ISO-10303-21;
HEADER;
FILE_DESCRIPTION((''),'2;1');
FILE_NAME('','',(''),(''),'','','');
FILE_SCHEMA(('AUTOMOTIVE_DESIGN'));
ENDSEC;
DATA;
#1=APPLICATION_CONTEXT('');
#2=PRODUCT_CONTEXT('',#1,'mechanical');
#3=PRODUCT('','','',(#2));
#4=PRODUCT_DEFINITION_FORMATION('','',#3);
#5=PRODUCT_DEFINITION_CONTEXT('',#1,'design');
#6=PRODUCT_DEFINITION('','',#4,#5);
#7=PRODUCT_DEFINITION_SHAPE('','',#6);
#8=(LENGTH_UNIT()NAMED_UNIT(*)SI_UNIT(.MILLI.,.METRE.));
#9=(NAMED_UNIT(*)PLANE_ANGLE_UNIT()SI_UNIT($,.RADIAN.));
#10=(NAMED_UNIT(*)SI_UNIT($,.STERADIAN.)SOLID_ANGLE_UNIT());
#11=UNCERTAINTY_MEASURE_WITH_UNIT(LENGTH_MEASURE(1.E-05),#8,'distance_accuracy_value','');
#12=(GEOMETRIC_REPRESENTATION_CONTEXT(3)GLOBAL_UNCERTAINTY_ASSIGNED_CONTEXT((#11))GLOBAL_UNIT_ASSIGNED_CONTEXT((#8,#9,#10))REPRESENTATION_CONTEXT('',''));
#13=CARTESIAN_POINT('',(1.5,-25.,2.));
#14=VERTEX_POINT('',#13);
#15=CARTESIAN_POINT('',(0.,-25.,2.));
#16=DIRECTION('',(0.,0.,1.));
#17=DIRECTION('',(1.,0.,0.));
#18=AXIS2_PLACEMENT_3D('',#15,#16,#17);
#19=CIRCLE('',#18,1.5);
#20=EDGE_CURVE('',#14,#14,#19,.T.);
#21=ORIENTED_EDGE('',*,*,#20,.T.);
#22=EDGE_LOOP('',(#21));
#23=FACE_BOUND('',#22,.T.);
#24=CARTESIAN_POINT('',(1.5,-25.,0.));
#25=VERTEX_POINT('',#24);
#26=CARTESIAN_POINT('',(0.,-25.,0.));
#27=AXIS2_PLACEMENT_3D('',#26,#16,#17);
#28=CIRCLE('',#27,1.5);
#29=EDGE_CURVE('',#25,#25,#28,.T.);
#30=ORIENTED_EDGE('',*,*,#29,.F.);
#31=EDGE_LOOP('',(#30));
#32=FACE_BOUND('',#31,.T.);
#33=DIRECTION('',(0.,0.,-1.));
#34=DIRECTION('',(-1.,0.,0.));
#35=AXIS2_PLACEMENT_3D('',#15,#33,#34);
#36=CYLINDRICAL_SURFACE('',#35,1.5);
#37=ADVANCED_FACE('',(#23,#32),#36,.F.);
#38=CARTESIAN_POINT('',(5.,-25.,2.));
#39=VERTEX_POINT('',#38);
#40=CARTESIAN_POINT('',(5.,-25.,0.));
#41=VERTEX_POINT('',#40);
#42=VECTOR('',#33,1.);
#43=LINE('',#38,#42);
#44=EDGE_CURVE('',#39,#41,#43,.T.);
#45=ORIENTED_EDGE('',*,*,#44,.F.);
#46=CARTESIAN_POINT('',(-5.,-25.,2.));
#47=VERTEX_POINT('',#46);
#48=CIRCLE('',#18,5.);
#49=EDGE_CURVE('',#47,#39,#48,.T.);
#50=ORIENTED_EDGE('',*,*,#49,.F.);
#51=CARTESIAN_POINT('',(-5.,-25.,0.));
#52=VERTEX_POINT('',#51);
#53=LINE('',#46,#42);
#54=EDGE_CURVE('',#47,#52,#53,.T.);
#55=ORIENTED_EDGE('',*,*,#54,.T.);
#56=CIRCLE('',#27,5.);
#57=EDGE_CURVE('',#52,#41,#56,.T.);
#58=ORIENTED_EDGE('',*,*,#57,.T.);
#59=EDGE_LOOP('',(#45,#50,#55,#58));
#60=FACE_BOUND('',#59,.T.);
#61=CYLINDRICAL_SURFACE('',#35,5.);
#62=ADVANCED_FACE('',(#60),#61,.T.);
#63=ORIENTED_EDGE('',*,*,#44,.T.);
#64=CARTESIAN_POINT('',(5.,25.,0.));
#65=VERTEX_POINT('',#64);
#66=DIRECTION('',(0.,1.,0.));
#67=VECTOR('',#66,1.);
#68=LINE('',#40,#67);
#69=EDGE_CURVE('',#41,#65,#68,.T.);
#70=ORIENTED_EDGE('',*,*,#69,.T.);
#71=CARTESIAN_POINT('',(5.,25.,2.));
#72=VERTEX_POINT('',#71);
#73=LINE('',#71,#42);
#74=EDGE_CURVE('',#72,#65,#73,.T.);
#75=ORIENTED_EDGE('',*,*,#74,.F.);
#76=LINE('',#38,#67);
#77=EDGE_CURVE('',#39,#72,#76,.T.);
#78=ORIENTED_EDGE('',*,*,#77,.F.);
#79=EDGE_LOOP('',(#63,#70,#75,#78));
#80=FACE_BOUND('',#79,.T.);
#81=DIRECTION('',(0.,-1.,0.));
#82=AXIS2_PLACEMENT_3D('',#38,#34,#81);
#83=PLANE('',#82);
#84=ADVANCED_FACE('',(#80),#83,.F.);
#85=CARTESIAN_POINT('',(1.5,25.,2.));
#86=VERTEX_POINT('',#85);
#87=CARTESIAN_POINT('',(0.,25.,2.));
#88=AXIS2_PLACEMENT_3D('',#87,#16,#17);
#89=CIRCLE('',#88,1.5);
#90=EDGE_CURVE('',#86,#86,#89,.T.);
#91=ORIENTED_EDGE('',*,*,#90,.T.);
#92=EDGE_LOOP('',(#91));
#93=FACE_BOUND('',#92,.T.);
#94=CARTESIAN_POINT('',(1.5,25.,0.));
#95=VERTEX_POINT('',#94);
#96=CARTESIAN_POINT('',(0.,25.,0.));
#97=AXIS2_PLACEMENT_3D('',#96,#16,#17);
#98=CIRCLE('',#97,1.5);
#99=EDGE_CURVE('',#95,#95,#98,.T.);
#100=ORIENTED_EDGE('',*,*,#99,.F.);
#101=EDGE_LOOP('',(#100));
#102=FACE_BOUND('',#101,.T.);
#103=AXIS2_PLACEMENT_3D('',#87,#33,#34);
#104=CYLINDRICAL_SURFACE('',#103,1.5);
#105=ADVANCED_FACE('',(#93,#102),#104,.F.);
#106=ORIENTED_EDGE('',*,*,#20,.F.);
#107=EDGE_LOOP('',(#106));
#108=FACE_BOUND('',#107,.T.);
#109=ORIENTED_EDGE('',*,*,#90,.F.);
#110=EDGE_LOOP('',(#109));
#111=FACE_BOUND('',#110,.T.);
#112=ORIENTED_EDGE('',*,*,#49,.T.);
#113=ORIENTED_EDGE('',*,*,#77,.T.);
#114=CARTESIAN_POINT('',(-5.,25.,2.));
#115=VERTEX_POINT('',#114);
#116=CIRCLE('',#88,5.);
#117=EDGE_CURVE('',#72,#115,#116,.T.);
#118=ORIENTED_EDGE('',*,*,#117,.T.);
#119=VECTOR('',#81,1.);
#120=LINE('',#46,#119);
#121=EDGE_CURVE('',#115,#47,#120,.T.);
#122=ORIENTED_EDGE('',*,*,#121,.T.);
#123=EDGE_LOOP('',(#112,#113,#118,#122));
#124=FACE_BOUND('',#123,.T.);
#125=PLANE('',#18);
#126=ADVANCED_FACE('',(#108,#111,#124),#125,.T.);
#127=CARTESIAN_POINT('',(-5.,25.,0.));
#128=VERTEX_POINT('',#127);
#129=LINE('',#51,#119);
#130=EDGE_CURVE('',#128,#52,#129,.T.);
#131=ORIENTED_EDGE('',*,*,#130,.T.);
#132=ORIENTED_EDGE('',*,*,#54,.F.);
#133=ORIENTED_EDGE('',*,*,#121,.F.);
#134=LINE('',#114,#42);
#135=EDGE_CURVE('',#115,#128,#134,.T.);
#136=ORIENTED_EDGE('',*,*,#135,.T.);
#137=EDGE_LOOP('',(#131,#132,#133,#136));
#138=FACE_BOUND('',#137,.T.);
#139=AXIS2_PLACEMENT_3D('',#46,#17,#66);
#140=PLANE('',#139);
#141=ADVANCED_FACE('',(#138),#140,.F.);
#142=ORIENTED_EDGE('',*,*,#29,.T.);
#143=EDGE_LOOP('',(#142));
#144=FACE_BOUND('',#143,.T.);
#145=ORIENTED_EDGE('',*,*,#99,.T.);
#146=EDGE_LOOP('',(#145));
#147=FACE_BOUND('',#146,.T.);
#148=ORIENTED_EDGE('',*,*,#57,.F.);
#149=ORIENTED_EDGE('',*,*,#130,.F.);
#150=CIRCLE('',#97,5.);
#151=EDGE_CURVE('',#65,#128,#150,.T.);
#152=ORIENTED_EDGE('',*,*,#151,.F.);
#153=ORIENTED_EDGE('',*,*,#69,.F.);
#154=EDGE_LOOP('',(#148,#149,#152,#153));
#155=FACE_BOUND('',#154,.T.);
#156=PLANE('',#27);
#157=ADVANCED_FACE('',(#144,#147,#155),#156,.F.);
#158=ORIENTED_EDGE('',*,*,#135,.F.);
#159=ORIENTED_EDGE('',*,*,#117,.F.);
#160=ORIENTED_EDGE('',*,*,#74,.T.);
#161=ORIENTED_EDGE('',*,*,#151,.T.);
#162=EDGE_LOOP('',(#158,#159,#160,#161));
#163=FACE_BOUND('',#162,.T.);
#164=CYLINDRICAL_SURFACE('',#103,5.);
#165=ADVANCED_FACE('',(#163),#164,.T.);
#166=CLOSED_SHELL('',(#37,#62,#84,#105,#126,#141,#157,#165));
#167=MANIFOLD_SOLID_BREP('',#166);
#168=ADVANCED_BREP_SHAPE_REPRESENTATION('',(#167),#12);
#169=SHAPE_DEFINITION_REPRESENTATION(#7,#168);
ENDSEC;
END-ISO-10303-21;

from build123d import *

# Parameters (mm, degrees)
SKETCH_1_R      = 1.5
EXTRUDE_1_DEPTH = 2


with BuildPart() as part:
    # 草图1 → 凸台-拉伸1 (new body)
    with BuildSketch(Plane.XY):
        with BuildLine():
            Line((-5, -25), (-5, 25))
            ThreePointArc((-5, 25), (0, 30), (5, 25))
            Line((5, 25), (5, -25))
            ThreePointArc((5, -25), (0, -30), (-5, -25))
        make_face()
        with Locations((0, 25)):
            Circle(SKETCH_1_R, mode=Mode.SUBTRACT)
        with Locations((0, -25)):
            Circle(SKETCH_1_R, mode=Mode.SUBTRACT)
    extrude(amount=EXTRUDE_1_DEPTH)


solid = part.part
